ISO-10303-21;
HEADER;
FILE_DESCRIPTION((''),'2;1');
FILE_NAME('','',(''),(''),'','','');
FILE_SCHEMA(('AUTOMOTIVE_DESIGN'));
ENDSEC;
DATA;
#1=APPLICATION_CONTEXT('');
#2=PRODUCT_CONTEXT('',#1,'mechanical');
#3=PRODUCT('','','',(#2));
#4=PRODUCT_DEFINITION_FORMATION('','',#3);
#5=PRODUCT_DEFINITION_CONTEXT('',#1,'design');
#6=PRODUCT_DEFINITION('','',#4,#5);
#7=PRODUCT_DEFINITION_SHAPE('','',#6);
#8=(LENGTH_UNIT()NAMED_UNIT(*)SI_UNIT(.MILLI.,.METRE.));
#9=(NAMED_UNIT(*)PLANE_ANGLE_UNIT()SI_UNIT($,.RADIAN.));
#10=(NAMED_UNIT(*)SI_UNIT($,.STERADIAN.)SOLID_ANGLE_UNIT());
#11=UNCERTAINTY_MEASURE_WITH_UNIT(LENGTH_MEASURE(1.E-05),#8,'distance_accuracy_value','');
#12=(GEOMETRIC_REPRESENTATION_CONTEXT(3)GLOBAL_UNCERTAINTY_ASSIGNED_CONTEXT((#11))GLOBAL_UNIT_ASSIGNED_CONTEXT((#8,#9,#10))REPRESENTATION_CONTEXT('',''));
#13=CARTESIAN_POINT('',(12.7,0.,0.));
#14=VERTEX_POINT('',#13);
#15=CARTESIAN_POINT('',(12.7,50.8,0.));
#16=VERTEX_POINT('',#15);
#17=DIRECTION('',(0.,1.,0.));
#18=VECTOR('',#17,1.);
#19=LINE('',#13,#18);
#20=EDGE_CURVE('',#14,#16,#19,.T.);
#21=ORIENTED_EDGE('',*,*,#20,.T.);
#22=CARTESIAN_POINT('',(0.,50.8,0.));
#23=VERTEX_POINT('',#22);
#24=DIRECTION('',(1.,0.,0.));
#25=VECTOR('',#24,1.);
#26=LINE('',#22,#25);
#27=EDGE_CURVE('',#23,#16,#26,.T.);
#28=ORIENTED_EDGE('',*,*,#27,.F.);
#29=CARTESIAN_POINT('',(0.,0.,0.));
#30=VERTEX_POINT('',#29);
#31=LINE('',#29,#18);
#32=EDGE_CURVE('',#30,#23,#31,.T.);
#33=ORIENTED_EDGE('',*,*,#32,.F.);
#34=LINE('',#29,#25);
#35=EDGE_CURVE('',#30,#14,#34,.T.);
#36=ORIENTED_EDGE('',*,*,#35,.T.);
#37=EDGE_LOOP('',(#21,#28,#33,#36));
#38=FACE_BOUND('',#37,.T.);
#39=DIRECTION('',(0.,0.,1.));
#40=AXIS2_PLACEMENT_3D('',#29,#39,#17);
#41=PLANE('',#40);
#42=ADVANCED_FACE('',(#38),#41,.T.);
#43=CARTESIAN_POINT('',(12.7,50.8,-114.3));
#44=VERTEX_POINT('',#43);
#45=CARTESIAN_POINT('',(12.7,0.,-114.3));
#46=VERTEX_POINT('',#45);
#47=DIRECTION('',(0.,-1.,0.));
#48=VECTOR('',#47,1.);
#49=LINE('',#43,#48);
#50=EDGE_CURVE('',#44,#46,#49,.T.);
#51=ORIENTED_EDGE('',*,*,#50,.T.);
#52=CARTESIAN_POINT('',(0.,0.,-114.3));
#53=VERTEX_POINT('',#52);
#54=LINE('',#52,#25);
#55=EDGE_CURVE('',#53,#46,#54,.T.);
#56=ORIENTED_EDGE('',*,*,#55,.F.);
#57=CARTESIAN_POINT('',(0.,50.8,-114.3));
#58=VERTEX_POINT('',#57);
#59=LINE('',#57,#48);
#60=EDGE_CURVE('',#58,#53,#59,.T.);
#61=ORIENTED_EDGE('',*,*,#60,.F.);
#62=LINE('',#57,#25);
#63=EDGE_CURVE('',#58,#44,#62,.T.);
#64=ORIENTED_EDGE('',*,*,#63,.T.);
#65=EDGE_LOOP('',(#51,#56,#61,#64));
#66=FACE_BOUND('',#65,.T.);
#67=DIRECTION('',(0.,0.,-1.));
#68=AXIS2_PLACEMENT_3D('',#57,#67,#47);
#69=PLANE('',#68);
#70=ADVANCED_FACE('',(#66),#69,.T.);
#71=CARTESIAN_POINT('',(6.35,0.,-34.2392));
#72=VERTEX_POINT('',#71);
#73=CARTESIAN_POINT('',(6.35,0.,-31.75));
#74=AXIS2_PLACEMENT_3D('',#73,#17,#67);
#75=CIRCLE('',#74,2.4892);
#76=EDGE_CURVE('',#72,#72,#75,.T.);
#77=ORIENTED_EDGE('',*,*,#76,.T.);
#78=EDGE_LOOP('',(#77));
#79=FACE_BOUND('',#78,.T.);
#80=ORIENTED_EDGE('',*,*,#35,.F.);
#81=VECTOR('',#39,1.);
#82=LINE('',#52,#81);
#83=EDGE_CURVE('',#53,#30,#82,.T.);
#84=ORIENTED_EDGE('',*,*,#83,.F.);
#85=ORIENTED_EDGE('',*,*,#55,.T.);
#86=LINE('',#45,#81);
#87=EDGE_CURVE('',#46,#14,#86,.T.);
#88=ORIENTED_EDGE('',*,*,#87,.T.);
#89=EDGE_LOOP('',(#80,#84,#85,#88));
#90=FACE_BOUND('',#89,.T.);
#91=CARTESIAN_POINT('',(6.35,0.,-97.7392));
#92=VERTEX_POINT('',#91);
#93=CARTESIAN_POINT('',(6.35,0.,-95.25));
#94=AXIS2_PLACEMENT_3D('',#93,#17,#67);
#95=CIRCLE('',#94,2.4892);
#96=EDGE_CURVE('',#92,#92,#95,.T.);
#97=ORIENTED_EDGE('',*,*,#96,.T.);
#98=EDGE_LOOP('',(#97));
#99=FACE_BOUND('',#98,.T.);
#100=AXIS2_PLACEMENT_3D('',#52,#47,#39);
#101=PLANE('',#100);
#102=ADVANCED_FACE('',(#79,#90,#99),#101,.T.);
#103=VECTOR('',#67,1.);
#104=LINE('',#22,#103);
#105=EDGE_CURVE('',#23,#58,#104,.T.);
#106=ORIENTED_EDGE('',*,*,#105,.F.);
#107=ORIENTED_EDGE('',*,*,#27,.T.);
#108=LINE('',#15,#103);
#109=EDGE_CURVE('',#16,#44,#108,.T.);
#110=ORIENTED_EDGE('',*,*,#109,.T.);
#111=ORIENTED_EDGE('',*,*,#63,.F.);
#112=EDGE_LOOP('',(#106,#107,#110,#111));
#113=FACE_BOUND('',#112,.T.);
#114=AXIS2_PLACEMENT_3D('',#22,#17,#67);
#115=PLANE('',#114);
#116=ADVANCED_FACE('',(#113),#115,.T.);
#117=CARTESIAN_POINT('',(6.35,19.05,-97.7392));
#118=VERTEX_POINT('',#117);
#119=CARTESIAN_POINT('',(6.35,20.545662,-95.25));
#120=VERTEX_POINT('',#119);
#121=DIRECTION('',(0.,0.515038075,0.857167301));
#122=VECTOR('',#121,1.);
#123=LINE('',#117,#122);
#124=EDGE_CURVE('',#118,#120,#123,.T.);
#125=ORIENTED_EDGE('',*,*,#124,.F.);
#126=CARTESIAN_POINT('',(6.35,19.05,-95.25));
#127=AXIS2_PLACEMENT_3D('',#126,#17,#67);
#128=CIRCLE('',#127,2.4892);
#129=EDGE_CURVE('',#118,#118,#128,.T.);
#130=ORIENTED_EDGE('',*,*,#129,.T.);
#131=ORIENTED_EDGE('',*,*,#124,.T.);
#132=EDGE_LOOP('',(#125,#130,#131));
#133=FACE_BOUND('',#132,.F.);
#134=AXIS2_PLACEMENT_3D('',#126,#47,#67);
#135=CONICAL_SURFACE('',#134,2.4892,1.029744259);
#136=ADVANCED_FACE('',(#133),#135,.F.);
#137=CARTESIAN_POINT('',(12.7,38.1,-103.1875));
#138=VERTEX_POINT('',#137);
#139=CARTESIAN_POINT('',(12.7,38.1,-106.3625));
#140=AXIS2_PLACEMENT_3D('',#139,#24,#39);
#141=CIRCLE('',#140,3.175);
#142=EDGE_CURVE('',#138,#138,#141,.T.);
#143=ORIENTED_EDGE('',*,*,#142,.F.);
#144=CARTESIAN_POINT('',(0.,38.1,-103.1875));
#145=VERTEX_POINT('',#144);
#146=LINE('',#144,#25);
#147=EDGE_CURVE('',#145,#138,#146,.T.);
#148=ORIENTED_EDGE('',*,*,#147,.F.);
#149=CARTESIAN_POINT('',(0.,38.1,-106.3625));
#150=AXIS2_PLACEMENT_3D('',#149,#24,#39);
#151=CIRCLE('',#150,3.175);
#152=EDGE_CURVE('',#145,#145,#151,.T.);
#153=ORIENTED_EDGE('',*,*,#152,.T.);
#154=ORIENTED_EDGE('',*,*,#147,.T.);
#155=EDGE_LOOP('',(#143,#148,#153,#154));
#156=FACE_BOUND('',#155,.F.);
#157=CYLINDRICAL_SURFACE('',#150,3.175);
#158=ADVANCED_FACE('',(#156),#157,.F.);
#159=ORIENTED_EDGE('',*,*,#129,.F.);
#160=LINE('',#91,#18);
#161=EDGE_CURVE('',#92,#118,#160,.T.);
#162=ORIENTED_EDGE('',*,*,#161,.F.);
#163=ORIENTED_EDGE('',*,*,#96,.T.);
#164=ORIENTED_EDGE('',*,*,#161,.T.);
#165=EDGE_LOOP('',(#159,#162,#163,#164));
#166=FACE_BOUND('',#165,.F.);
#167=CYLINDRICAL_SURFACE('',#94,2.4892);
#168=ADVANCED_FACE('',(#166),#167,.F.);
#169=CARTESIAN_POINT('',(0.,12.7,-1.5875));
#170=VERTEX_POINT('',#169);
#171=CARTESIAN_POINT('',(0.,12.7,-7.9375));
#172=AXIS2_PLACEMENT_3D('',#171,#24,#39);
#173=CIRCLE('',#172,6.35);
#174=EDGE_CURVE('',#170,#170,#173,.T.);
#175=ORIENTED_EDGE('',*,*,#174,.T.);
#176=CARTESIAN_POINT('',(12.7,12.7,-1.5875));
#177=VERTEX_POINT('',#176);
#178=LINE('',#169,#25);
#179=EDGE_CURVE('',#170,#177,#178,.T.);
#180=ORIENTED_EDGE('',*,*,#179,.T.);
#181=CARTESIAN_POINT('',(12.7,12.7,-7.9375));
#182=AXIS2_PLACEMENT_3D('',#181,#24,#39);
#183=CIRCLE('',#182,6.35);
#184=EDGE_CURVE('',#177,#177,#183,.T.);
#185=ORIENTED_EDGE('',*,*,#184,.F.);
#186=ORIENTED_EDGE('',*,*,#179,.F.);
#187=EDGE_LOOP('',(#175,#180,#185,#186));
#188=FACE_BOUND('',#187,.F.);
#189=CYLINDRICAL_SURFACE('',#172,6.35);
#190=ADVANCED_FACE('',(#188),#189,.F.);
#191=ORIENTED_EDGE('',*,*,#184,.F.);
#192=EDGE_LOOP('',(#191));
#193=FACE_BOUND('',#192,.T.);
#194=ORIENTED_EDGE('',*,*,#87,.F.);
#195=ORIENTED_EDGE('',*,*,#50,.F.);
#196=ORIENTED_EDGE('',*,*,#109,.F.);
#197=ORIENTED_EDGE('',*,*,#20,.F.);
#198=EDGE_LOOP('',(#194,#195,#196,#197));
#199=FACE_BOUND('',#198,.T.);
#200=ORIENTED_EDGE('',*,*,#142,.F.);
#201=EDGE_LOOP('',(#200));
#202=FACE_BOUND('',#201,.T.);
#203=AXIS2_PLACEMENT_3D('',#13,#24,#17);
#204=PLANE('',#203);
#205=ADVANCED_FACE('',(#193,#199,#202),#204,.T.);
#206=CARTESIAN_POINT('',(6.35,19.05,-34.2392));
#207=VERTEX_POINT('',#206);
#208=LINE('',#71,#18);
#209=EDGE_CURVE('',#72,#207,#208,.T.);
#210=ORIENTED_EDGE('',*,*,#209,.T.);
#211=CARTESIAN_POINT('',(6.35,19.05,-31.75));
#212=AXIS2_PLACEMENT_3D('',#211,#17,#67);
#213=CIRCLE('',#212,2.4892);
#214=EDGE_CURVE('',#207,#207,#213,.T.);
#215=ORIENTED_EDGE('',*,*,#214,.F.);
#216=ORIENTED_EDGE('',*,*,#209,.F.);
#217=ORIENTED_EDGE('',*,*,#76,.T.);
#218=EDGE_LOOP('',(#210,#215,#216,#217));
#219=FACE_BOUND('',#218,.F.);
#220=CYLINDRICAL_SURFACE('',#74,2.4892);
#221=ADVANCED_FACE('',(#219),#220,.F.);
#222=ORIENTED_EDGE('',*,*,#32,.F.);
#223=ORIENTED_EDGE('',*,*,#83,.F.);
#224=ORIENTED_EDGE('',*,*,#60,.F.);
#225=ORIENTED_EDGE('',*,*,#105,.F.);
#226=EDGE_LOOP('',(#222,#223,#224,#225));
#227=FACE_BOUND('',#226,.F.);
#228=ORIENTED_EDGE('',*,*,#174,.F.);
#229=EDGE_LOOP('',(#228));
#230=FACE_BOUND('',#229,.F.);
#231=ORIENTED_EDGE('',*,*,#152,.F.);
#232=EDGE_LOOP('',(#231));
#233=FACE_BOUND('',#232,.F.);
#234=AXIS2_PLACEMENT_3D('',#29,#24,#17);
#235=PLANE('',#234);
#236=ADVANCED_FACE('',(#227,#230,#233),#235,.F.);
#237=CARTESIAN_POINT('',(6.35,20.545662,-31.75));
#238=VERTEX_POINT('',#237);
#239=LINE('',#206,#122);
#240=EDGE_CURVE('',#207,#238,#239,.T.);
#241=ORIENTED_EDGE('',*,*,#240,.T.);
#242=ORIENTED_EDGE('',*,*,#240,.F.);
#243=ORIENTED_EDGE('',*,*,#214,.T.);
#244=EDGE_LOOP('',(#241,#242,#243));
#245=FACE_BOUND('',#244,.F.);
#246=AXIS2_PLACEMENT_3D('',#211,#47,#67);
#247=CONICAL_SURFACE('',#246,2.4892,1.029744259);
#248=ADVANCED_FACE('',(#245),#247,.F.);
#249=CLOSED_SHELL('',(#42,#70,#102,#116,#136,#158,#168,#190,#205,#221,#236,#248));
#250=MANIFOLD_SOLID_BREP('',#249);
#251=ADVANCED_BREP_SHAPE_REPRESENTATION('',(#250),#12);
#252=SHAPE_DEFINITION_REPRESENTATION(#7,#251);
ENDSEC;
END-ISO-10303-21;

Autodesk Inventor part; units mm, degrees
ref_plane "YZ Plane" through (0, 0, 0) normal (1, 0, 0) x (0, 1, 0)
ref_plane "XZ Plane" through (0, 0, 0) normal (0, 1, 0) x (-1, 0, 0)
ref_plane "XY Plane" through (0, 0, 0) normal (0, 0, 1) x (1, 0, 0)
sketch "Sketch2" plane through (0, 0, 0) normal (1, 0, 0) x (0, 1, 0)
  line L0 (0, 0) -> (50.8, 0)
  line L1 (50.8, 0) -> (50.8, -114.3)
  line L2 (50.8, -114.3) -> (0, -114.3)
  line L3 (0, -114.3) -> (0, 0)
  circle A0 centre (12.7, -7.9375) radius 6.35
  point P0 (38.1, -106.3625)
  dimension "d0" = 50.8
  dimension "d1" = 114.3
  dimension "d2" = 98.425
  dimension "d3" = 25.4
  dimension "d4" = 12.7
  dimension "d5" = 7.9375
  dimension "d15" = 12.7
extrude "Extrusion1" add sketch "Sketch2" along normal blind 12.7 contours L0 L1 L2 L3 | A0
hole "Hole1" at (0, 38.1, -106.3625) direction (1, 0, 0) diameter 6.35 depth 19.05 tip angle 118
hole "Hole2" at (0, 12.7, -7.9375) direction (1, 0, 0) diameter 12.7 depth 19.05 tip angle 118
sketch "Sketch3" plane through (0, 0, -114.3) normal (0, -1, 0) x (1, 0, 0)
  line L0 (0, 114.3) -> (0, 0) projected
  line L1 (0, 0) -> (12.7, 0) projected
  line L2 (12.7, 114.3) -> (12.7, 0) projected
  line L3 (0, 114.3) -> (12.7, 114.3) projected
  line L4 (0, 114.3) -> (0, 0) projected
  line L5 (0, 0) -> (12.7, 0) projected
  line L6 (12.7, 114.3) -> (12.7, 0) projected
  line L7 (0, 114.3) -> (12.7, 114.3) projected
  point P0 (6.35, 82.55)
  point P1 (6.35, 19.05)
  dimension "d23" = 63.5
  dimension "d24" = 19.05
hole "Hole3" at (6.35, 0, -31.75) at (6.35, 0, -95.25) direction (0, 1, 0) diameter 4.9784 depth 19.05 tip angle 118 thread size "1/4-20 UNC" class "2B" standard "ANSI Unified Screw Threads"
equation "\"d4\" = -0.5 * d3 + 0.5 * d0"
equation "\"d5\" = -0.5 * d2 + 0.5 * d1"
properties part number "clolecton wheel holder"
